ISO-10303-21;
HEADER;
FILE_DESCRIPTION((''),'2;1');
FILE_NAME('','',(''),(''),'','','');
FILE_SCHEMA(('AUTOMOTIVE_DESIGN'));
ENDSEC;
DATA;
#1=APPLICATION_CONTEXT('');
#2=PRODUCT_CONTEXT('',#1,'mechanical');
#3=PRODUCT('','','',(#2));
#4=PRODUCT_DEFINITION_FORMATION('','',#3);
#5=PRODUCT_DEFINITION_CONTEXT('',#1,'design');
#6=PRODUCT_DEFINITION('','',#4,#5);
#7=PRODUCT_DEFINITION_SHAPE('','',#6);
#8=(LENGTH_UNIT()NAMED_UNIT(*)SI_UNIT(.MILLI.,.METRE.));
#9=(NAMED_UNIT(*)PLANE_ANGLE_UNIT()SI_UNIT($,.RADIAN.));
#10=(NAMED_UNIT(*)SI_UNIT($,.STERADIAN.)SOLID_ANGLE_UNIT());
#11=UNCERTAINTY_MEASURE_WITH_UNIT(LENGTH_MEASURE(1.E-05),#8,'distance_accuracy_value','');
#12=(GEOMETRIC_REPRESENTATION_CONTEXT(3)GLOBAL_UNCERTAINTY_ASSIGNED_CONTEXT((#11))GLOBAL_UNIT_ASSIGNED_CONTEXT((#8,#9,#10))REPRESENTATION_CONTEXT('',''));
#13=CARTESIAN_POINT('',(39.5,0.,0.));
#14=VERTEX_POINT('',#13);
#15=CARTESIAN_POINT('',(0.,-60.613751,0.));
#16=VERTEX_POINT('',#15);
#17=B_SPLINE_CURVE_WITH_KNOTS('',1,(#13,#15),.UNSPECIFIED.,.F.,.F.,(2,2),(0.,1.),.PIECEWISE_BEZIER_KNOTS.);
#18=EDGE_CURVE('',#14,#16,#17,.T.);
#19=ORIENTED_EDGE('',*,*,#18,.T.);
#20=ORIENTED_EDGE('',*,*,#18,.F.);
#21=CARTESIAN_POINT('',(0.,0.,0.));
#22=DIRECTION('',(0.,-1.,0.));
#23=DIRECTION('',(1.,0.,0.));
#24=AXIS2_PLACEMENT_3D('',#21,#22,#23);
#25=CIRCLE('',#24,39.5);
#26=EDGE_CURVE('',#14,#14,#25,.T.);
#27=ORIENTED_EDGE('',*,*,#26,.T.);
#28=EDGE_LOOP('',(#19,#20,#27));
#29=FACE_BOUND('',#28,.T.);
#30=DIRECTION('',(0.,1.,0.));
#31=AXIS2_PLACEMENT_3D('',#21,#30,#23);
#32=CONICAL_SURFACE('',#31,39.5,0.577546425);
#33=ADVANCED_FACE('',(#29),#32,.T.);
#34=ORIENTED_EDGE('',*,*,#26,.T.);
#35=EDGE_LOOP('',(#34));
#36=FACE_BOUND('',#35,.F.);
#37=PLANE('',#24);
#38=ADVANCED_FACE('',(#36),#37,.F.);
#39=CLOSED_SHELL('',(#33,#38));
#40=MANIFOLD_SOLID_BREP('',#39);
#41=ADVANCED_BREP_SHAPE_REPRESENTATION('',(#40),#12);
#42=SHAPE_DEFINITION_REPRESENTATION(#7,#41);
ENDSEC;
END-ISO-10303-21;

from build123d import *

# Parameters (mm, degrees)
F0_R = 39.5


with BuildPart() as f2:
    # F0 (on Front) → F2 section 0
    with BuildSketch(Plane.XZ, mode=Mode.PRIVATE) as f2_s0:
        Circle(F0_R)
    loft([f2_s0.sketch, Vertex(0, -60.613751, 0)])


solid = f2.part
